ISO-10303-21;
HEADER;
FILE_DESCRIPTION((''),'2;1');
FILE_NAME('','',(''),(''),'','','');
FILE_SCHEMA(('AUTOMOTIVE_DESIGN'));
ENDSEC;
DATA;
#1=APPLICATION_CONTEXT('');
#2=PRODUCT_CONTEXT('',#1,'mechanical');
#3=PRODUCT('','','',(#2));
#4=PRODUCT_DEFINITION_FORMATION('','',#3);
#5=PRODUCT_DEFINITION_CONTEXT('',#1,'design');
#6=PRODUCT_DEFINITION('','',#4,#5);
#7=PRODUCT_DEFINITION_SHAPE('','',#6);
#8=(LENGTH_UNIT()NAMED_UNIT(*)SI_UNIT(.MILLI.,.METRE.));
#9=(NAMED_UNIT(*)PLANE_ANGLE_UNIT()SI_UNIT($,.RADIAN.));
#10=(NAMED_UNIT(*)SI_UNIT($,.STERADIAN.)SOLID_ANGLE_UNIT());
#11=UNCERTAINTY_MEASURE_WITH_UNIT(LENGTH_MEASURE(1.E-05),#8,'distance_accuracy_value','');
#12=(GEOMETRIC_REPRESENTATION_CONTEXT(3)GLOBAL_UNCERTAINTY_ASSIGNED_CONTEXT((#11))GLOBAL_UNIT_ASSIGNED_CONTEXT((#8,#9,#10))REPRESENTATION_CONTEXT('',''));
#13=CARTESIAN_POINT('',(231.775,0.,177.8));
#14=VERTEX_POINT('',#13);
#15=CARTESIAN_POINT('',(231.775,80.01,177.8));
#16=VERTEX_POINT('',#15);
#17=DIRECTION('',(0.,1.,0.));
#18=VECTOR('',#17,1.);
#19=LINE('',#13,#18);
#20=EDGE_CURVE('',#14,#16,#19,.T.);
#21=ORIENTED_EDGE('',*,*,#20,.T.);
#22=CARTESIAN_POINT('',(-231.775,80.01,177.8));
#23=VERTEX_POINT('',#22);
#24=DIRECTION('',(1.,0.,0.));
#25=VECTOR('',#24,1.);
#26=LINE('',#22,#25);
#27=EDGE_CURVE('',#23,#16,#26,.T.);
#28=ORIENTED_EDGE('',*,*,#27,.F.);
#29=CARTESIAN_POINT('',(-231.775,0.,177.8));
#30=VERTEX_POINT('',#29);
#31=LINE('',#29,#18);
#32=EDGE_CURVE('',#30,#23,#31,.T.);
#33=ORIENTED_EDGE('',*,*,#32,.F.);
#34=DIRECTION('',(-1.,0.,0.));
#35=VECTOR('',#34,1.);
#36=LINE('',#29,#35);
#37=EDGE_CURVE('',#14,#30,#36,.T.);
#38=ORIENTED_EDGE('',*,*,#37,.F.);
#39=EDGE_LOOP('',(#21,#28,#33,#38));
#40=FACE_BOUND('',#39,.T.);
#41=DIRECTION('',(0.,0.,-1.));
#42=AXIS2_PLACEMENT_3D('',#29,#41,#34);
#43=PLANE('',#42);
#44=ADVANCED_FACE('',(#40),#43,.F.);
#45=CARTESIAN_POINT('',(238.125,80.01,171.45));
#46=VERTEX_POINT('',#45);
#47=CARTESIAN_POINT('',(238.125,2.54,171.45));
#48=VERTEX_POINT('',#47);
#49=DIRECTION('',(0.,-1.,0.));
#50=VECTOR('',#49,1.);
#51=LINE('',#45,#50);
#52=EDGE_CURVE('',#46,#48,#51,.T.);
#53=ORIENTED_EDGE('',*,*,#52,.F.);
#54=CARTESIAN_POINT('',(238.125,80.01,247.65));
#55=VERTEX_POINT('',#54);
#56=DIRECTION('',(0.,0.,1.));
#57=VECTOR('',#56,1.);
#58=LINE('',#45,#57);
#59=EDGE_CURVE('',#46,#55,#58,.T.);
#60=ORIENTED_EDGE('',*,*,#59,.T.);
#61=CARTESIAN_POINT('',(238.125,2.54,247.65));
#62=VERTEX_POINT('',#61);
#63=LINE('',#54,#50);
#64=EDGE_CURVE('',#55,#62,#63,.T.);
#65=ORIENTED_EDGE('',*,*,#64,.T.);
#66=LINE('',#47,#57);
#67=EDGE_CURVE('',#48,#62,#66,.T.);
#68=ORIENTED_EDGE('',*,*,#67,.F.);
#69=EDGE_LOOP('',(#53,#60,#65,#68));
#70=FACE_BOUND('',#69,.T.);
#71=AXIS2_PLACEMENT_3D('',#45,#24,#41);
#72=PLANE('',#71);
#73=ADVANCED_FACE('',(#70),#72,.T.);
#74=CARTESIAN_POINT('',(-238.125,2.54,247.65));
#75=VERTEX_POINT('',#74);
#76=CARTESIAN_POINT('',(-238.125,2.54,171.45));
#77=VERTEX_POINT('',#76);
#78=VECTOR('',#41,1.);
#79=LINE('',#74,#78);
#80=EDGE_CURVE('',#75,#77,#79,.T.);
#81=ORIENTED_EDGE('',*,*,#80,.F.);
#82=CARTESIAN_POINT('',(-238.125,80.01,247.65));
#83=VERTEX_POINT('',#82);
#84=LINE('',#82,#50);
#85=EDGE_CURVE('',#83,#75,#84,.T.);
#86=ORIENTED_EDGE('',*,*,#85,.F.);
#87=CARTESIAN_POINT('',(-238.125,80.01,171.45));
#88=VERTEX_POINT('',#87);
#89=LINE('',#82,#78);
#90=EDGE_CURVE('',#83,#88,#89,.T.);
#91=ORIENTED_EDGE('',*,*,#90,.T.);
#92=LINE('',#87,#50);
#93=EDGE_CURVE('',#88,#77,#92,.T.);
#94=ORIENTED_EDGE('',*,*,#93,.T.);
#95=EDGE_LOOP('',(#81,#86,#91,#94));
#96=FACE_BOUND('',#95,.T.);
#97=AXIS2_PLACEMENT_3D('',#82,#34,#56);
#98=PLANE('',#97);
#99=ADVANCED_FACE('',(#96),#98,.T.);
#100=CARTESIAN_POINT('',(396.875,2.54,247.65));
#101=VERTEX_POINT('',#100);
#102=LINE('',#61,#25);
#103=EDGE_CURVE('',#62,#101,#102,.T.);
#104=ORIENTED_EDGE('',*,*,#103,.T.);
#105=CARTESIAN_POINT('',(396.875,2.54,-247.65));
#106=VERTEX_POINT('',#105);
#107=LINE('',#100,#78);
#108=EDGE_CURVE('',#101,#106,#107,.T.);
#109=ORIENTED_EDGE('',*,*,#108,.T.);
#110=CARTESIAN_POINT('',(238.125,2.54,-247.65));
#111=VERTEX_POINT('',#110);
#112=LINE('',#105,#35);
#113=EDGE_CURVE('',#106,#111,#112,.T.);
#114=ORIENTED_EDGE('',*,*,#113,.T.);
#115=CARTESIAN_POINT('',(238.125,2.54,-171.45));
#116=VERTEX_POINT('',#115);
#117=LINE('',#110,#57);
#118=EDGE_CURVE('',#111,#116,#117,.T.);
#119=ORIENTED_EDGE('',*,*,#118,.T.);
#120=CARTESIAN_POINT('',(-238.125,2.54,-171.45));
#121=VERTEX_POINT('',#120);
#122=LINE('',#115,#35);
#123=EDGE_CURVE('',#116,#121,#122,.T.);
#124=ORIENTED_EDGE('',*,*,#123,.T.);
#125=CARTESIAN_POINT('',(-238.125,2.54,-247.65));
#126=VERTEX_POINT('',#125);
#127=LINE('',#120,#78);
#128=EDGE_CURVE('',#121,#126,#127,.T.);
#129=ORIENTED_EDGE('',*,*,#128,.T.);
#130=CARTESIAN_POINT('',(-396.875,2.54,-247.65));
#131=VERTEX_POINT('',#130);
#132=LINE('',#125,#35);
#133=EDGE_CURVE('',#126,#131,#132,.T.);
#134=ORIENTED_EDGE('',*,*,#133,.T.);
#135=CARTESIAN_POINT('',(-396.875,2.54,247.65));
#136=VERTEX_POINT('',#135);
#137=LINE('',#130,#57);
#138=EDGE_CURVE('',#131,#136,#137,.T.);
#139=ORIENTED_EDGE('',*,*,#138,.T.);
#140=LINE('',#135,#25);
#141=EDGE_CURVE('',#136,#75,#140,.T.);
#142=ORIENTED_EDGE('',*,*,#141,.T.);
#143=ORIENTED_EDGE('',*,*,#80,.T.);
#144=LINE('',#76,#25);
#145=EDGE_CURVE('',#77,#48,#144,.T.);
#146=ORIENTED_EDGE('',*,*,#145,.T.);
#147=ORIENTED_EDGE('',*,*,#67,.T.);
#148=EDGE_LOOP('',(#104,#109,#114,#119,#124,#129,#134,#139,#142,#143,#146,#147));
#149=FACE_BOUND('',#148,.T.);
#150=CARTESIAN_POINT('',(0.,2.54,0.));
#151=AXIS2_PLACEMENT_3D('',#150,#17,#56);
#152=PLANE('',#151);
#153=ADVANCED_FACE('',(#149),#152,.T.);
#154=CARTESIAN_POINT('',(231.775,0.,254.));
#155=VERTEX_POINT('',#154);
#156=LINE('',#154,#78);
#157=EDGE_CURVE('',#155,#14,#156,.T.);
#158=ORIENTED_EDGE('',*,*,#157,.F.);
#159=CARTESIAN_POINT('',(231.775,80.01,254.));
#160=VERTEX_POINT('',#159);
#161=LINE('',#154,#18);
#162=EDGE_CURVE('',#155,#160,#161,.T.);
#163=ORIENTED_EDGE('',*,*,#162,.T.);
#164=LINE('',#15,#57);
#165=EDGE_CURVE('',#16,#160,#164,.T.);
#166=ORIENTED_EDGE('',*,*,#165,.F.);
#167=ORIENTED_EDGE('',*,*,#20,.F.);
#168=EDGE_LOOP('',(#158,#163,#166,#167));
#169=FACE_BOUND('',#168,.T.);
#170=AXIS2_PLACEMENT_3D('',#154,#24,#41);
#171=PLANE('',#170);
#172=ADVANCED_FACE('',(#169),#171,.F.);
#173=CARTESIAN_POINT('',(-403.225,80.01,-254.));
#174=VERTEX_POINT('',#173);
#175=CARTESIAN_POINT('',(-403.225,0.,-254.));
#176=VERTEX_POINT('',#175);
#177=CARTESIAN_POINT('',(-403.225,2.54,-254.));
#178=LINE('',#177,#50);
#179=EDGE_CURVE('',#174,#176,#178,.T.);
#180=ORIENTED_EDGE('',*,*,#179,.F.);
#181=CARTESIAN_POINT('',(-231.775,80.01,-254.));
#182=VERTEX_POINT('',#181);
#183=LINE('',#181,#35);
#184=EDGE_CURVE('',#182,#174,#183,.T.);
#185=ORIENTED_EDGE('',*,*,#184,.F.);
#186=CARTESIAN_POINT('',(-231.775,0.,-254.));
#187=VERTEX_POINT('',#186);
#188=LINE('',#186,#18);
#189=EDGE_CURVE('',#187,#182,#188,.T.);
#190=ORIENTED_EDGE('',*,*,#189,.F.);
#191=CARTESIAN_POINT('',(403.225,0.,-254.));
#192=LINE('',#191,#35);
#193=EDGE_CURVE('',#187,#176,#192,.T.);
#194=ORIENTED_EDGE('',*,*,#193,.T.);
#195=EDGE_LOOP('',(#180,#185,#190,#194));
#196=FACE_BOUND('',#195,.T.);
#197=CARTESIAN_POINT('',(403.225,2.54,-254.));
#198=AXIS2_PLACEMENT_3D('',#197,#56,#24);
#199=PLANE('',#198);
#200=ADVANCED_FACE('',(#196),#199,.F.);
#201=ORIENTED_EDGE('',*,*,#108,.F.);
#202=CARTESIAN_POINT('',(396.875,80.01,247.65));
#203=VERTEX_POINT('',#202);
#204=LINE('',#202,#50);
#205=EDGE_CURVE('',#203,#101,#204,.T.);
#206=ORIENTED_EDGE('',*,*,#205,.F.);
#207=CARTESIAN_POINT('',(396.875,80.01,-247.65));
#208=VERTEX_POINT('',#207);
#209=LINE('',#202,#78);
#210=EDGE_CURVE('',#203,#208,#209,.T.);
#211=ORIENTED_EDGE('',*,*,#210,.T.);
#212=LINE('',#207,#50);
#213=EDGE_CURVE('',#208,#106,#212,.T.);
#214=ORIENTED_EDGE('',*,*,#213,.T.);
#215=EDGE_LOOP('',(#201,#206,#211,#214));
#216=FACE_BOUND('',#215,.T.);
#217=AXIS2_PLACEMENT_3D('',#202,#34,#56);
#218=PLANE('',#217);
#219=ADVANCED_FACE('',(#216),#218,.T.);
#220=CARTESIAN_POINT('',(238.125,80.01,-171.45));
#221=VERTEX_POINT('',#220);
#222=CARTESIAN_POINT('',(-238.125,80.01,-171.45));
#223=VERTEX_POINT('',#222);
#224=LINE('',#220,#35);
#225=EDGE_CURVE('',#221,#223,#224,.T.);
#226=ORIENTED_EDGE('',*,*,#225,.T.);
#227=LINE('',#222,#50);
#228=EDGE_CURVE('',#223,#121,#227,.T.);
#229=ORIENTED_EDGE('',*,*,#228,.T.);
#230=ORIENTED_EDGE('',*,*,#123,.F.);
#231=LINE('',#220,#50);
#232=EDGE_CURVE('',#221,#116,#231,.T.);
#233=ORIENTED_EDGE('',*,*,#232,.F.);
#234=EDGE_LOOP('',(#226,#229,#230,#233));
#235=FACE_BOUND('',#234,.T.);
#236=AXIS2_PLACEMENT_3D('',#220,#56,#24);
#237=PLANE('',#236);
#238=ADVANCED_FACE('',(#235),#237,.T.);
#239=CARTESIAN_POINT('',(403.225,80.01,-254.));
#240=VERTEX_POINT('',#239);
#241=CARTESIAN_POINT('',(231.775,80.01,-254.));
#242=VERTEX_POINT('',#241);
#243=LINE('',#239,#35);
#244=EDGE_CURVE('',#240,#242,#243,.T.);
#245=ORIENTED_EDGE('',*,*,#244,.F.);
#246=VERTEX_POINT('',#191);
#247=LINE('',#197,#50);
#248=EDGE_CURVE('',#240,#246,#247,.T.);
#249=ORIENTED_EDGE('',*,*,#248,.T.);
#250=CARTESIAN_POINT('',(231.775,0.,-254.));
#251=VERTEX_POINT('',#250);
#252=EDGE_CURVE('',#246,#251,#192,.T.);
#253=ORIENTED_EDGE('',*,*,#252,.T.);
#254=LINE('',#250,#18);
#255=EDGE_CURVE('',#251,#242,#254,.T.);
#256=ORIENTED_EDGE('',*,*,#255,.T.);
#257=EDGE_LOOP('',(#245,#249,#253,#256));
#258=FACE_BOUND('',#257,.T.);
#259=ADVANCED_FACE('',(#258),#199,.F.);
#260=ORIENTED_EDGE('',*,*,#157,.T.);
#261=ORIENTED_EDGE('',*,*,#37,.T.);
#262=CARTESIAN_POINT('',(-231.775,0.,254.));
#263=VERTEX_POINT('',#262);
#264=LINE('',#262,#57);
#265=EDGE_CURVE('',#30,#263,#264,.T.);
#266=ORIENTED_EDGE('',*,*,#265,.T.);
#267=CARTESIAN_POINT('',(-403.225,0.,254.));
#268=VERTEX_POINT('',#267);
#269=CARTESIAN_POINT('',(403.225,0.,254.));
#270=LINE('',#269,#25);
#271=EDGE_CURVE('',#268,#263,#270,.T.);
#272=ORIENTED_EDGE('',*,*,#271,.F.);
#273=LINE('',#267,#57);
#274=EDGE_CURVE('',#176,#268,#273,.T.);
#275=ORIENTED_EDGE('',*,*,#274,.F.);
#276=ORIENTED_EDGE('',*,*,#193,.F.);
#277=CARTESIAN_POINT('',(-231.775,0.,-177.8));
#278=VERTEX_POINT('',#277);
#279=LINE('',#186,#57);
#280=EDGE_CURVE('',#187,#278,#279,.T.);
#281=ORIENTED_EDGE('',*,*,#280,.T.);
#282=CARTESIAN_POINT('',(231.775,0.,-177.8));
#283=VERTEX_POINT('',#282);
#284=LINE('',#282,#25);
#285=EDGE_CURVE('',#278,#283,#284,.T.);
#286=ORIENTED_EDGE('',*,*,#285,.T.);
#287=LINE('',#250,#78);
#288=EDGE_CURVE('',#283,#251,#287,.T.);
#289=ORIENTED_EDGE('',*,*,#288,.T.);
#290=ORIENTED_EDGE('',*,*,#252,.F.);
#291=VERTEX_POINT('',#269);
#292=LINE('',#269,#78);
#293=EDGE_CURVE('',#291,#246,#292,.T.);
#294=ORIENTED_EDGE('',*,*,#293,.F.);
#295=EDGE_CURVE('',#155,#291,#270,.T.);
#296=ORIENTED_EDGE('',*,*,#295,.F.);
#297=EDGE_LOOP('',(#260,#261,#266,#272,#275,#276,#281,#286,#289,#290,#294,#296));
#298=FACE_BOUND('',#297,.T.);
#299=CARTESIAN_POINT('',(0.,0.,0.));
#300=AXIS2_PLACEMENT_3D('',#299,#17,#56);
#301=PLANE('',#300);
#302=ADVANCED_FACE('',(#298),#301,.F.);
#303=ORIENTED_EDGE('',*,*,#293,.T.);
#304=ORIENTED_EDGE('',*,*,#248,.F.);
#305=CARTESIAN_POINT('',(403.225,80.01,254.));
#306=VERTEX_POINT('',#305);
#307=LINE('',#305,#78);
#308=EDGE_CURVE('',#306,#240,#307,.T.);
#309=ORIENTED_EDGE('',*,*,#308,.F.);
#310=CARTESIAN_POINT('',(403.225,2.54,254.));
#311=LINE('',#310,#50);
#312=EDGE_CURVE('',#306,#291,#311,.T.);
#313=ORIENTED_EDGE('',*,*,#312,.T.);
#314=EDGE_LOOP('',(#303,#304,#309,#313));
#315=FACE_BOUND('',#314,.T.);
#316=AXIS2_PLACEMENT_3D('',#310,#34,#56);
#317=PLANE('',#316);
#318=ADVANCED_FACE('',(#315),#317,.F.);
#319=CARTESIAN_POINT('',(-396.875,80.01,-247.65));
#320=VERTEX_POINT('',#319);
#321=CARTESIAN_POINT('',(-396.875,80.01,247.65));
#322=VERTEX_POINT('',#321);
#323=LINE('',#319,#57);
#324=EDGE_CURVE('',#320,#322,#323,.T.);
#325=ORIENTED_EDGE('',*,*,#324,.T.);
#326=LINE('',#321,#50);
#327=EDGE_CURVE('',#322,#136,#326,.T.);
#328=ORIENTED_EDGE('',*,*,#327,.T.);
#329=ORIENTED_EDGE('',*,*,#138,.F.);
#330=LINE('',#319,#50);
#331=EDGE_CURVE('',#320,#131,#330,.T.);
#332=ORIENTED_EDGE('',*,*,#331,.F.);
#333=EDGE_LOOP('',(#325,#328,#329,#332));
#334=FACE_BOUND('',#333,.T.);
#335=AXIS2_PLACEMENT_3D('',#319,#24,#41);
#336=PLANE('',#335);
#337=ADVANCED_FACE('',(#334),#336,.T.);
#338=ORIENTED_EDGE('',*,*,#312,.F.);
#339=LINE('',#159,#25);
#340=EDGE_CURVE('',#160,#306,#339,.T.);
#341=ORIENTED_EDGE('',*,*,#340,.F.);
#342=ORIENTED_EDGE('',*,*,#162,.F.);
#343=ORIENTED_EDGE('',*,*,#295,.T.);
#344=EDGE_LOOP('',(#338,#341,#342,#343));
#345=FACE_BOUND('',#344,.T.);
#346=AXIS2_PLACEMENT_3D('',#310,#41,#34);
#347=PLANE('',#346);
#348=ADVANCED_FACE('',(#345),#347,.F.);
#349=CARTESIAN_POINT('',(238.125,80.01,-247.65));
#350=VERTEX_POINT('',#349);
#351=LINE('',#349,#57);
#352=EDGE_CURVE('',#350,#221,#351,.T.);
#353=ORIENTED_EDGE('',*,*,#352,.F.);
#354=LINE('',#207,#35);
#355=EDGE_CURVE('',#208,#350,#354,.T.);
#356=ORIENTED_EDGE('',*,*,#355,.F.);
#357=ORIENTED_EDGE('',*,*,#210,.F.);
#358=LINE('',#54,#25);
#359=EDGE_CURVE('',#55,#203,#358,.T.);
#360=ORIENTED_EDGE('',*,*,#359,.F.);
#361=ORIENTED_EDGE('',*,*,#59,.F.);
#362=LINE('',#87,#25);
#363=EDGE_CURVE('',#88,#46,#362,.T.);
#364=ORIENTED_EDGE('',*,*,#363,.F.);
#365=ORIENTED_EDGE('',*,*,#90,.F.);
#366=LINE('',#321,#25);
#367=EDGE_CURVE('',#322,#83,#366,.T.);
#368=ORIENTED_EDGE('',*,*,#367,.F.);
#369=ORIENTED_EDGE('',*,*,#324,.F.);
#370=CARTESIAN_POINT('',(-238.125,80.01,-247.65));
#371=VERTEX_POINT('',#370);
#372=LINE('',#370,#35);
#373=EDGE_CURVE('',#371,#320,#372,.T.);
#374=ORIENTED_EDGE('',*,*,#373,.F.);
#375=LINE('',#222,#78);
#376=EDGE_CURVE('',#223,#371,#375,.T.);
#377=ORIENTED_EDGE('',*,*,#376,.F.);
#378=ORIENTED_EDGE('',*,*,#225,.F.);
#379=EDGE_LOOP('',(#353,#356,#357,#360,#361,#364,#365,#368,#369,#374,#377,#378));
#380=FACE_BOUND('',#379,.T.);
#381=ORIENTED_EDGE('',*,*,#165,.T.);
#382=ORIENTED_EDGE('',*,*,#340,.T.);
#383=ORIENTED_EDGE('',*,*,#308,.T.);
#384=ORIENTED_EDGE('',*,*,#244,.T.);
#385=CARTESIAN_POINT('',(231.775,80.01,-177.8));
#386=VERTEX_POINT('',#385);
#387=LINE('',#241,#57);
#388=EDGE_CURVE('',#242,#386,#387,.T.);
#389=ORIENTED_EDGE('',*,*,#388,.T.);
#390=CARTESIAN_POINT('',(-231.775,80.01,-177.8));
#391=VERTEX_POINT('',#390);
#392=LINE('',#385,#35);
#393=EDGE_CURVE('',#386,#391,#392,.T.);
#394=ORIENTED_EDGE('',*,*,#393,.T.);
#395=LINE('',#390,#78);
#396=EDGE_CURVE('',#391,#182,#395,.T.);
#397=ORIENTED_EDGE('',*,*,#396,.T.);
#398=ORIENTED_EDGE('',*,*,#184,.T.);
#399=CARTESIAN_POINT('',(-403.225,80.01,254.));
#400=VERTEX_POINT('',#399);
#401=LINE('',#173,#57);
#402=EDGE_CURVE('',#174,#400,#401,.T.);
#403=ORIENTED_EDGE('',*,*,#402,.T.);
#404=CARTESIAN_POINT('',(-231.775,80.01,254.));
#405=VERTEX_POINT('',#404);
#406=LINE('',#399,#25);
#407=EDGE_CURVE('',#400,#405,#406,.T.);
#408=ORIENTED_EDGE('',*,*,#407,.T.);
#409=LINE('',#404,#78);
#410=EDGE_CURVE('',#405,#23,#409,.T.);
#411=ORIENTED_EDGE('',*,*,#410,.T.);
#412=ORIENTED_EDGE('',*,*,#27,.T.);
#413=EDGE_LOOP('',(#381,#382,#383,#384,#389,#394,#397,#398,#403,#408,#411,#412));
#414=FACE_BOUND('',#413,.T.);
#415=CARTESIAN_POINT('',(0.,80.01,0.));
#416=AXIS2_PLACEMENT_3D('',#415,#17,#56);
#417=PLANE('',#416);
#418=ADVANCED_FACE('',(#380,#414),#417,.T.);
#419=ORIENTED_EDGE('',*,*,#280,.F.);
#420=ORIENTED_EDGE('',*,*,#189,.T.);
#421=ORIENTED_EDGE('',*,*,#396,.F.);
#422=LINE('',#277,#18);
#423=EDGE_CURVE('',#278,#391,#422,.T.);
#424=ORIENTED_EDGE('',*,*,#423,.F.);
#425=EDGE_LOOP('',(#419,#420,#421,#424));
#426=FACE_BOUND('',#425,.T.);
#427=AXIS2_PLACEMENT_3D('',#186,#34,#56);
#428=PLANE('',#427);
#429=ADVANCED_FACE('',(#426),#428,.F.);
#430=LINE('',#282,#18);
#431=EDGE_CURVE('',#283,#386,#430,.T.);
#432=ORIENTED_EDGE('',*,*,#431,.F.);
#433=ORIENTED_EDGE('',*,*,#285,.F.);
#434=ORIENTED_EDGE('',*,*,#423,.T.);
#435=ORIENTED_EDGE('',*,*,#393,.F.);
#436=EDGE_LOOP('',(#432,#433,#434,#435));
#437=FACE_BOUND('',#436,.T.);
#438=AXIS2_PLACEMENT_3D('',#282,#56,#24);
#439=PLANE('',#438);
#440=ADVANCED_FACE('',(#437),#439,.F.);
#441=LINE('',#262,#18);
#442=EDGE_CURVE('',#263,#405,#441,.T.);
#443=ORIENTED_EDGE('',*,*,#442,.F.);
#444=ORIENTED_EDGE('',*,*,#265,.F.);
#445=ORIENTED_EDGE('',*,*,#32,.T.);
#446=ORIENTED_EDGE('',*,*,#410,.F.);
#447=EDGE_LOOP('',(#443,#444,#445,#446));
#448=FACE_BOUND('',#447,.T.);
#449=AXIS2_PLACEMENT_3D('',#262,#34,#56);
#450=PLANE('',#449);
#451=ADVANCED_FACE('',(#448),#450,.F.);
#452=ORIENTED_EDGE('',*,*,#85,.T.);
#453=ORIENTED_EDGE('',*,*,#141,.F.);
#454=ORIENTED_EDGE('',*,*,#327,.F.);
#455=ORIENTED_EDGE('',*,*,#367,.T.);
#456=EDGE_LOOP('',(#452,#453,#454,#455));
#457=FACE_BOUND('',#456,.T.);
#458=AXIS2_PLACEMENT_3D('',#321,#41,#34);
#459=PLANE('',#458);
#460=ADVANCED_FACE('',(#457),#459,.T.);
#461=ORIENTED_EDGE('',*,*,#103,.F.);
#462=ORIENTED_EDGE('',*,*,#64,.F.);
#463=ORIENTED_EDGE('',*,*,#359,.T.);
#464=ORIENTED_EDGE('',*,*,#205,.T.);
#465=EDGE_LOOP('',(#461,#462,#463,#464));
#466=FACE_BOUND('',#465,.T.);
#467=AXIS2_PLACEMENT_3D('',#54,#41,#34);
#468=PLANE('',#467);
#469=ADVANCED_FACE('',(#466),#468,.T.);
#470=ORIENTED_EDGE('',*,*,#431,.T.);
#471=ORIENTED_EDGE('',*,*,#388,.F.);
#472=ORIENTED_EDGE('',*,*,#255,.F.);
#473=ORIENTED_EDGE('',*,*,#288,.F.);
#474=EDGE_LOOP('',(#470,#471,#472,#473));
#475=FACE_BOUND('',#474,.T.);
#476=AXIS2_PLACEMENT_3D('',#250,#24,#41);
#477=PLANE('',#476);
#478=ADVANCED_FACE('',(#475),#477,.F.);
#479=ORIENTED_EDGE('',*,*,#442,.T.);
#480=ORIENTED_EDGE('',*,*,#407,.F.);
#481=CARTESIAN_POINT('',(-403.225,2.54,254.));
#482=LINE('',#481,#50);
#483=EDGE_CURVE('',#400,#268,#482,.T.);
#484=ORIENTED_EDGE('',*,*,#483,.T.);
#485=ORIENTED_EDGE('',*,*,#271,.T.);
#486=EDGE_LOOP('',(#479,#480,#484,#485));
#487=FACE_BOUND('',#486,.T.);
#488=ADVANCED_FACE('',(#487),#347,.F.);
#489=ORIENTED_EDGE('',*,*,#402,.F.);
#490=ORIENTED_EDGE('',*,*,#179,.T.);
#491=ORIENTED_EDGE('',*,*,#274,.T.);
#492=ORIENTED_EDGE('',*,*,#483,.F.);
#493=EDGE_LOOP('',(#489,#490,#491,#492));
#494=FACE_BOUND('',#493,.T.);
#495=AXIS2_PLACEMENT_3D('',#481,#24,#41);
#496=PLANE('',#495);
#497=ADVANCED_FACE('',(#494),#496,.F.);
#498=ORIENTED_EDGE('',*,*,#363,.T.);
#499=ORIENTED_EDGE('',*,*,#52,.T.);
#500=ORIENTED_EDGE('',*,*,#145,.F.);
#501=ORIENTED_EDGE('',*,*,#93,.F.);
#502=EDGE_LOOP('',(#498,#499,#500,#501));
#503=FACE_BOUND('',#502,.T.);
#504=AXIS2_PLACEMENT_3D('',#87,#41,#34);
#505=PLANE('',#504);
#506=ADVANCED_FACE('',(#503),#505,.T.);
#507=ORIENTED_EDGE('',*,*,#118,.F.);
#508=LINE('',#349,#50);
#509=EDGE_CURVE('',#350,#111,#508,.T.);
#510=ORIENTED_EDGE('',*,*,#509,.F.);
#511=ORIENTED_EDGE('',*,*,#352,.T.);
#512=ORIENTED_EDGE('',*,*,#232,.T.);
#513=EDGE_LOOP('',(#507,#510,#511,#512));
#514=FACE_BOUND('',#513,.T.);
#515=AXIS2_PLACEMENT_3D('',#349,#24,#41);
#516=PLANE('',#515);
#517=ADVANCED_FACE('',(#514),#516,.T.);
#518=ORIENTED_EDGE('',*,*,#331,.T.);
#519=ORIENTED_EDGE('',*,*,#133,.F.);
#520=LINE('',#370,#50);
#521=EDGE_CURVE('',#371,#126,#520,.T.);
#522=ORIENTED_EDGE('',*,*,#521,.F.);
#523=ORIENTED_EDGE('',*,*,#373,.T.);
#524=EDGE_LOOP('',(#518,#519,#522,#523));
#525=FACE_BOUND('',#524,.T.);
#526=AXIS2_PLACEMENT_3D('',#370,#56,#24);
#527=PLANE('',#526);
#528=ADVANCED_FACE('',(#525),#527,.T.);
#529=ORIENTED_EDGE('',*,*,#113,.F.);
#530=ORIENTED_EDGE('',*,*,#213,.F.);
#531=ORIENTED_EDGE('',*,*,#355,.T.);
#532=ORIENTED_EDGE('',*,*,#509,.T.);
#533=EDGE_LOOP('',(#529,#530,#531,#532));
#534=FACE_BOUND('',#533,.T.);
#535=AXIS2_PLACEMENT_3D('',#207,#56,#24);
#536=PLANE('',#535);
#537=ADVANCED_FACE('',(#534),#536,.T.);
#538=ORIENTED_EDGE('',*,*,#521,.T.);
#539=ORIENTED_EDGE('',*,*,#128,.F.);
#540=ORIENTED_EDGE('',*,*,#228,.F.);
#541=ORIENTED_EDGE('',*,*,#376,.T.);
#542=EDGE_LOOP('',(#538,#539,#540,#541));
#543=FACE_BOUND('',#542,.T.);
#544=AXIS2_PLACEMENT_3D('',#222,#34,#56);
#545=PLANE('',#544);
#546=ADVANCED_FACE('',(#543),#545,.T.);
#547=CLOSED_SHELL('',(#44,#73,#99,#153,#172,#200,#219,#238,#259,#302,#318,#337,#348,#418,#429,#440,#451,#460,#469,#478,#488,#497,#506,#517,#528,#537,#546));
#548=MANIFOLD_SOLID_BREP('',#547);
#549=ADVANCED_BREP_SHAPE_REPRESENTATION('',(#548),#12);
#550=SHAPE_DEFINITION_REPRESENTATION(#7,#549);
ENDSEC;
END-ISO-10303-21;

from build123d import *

# Parameters (mm, degrees)
SKETCH1_W           = 806.45
SKETCH1_H           = 508
BOSS_EXTRUDE1_DEPTH = 2.54
SKETCH2_W           = 463.55
SKETCH2_H           = 76.2
CUT_EXTRUDE1_DEPTH  = 2.54
BOSS_EXTRUDE2_DEPTH = 77.47


with BuildPart() as part:
    # Sketch1 → Boss-Extrude1 (new body)
    with BuildSketch(Plane(origin=(0, 0, 0), x_dir=(1, 0, 0), z_dir=(0, 1, 0))):
        Rectangle(SKETCH1_W, SKETCH1_H)
    extrude(amount=BOSS_EXTRUDE1_DEPTH)

    # Sketch2 → Cut-Extrude1 (cut)
    with BuildSketch(Plane(origin=(0, 2.54, 0), x_dir=(1, 0, 0), z_dir=(0, 1, 0))):
        with Locations((0, -215.9)):
            Rectangle(SKETCH2_W, SKETCH2_H)
        with Locations((0, 215.9)):
            Rectangle(SKETCH2_W, SKETCH2_H)
    extrude(amount=-CUT_EXTRUDE1_DEPTH, mode=Mode.SUBTRACT)

    # Sketch3 → Boss-Extrude2 (add)
    with BuildSketch(Plane(origin=(0, 2.54, 0), x_dir=(1, 0, 0), z_dir=(0, 1, 0))):
        Polygon((-231.775, -254), (-231.775, -177.8), (231.775, -177.8), (231.775, -254), (403.225, -254), (403.225, 254), (231.775, 254), (231.775, 177.8), (-231.775, 177.8), (-231.775, 254), (-403.225, 254), (-403.225, -254), align=None)
        Polygon((238.125, 171.45), (-238.125, 171.45), (-238.125, 247.65), (-396.875, 247.65), (-396.875, -247.65), (-238.125, -247.65), (-238.125, -171.45), (238.125, -171.45), (238.125, -247.65), (396.875, -247.65), (396.875, 247.65), (238.125, 247.65), align=None, mode=Mode.SUBTRACT)
    extrude(amount=BOSS_EXTRUDE2_DEPTH)


solid = part.part
